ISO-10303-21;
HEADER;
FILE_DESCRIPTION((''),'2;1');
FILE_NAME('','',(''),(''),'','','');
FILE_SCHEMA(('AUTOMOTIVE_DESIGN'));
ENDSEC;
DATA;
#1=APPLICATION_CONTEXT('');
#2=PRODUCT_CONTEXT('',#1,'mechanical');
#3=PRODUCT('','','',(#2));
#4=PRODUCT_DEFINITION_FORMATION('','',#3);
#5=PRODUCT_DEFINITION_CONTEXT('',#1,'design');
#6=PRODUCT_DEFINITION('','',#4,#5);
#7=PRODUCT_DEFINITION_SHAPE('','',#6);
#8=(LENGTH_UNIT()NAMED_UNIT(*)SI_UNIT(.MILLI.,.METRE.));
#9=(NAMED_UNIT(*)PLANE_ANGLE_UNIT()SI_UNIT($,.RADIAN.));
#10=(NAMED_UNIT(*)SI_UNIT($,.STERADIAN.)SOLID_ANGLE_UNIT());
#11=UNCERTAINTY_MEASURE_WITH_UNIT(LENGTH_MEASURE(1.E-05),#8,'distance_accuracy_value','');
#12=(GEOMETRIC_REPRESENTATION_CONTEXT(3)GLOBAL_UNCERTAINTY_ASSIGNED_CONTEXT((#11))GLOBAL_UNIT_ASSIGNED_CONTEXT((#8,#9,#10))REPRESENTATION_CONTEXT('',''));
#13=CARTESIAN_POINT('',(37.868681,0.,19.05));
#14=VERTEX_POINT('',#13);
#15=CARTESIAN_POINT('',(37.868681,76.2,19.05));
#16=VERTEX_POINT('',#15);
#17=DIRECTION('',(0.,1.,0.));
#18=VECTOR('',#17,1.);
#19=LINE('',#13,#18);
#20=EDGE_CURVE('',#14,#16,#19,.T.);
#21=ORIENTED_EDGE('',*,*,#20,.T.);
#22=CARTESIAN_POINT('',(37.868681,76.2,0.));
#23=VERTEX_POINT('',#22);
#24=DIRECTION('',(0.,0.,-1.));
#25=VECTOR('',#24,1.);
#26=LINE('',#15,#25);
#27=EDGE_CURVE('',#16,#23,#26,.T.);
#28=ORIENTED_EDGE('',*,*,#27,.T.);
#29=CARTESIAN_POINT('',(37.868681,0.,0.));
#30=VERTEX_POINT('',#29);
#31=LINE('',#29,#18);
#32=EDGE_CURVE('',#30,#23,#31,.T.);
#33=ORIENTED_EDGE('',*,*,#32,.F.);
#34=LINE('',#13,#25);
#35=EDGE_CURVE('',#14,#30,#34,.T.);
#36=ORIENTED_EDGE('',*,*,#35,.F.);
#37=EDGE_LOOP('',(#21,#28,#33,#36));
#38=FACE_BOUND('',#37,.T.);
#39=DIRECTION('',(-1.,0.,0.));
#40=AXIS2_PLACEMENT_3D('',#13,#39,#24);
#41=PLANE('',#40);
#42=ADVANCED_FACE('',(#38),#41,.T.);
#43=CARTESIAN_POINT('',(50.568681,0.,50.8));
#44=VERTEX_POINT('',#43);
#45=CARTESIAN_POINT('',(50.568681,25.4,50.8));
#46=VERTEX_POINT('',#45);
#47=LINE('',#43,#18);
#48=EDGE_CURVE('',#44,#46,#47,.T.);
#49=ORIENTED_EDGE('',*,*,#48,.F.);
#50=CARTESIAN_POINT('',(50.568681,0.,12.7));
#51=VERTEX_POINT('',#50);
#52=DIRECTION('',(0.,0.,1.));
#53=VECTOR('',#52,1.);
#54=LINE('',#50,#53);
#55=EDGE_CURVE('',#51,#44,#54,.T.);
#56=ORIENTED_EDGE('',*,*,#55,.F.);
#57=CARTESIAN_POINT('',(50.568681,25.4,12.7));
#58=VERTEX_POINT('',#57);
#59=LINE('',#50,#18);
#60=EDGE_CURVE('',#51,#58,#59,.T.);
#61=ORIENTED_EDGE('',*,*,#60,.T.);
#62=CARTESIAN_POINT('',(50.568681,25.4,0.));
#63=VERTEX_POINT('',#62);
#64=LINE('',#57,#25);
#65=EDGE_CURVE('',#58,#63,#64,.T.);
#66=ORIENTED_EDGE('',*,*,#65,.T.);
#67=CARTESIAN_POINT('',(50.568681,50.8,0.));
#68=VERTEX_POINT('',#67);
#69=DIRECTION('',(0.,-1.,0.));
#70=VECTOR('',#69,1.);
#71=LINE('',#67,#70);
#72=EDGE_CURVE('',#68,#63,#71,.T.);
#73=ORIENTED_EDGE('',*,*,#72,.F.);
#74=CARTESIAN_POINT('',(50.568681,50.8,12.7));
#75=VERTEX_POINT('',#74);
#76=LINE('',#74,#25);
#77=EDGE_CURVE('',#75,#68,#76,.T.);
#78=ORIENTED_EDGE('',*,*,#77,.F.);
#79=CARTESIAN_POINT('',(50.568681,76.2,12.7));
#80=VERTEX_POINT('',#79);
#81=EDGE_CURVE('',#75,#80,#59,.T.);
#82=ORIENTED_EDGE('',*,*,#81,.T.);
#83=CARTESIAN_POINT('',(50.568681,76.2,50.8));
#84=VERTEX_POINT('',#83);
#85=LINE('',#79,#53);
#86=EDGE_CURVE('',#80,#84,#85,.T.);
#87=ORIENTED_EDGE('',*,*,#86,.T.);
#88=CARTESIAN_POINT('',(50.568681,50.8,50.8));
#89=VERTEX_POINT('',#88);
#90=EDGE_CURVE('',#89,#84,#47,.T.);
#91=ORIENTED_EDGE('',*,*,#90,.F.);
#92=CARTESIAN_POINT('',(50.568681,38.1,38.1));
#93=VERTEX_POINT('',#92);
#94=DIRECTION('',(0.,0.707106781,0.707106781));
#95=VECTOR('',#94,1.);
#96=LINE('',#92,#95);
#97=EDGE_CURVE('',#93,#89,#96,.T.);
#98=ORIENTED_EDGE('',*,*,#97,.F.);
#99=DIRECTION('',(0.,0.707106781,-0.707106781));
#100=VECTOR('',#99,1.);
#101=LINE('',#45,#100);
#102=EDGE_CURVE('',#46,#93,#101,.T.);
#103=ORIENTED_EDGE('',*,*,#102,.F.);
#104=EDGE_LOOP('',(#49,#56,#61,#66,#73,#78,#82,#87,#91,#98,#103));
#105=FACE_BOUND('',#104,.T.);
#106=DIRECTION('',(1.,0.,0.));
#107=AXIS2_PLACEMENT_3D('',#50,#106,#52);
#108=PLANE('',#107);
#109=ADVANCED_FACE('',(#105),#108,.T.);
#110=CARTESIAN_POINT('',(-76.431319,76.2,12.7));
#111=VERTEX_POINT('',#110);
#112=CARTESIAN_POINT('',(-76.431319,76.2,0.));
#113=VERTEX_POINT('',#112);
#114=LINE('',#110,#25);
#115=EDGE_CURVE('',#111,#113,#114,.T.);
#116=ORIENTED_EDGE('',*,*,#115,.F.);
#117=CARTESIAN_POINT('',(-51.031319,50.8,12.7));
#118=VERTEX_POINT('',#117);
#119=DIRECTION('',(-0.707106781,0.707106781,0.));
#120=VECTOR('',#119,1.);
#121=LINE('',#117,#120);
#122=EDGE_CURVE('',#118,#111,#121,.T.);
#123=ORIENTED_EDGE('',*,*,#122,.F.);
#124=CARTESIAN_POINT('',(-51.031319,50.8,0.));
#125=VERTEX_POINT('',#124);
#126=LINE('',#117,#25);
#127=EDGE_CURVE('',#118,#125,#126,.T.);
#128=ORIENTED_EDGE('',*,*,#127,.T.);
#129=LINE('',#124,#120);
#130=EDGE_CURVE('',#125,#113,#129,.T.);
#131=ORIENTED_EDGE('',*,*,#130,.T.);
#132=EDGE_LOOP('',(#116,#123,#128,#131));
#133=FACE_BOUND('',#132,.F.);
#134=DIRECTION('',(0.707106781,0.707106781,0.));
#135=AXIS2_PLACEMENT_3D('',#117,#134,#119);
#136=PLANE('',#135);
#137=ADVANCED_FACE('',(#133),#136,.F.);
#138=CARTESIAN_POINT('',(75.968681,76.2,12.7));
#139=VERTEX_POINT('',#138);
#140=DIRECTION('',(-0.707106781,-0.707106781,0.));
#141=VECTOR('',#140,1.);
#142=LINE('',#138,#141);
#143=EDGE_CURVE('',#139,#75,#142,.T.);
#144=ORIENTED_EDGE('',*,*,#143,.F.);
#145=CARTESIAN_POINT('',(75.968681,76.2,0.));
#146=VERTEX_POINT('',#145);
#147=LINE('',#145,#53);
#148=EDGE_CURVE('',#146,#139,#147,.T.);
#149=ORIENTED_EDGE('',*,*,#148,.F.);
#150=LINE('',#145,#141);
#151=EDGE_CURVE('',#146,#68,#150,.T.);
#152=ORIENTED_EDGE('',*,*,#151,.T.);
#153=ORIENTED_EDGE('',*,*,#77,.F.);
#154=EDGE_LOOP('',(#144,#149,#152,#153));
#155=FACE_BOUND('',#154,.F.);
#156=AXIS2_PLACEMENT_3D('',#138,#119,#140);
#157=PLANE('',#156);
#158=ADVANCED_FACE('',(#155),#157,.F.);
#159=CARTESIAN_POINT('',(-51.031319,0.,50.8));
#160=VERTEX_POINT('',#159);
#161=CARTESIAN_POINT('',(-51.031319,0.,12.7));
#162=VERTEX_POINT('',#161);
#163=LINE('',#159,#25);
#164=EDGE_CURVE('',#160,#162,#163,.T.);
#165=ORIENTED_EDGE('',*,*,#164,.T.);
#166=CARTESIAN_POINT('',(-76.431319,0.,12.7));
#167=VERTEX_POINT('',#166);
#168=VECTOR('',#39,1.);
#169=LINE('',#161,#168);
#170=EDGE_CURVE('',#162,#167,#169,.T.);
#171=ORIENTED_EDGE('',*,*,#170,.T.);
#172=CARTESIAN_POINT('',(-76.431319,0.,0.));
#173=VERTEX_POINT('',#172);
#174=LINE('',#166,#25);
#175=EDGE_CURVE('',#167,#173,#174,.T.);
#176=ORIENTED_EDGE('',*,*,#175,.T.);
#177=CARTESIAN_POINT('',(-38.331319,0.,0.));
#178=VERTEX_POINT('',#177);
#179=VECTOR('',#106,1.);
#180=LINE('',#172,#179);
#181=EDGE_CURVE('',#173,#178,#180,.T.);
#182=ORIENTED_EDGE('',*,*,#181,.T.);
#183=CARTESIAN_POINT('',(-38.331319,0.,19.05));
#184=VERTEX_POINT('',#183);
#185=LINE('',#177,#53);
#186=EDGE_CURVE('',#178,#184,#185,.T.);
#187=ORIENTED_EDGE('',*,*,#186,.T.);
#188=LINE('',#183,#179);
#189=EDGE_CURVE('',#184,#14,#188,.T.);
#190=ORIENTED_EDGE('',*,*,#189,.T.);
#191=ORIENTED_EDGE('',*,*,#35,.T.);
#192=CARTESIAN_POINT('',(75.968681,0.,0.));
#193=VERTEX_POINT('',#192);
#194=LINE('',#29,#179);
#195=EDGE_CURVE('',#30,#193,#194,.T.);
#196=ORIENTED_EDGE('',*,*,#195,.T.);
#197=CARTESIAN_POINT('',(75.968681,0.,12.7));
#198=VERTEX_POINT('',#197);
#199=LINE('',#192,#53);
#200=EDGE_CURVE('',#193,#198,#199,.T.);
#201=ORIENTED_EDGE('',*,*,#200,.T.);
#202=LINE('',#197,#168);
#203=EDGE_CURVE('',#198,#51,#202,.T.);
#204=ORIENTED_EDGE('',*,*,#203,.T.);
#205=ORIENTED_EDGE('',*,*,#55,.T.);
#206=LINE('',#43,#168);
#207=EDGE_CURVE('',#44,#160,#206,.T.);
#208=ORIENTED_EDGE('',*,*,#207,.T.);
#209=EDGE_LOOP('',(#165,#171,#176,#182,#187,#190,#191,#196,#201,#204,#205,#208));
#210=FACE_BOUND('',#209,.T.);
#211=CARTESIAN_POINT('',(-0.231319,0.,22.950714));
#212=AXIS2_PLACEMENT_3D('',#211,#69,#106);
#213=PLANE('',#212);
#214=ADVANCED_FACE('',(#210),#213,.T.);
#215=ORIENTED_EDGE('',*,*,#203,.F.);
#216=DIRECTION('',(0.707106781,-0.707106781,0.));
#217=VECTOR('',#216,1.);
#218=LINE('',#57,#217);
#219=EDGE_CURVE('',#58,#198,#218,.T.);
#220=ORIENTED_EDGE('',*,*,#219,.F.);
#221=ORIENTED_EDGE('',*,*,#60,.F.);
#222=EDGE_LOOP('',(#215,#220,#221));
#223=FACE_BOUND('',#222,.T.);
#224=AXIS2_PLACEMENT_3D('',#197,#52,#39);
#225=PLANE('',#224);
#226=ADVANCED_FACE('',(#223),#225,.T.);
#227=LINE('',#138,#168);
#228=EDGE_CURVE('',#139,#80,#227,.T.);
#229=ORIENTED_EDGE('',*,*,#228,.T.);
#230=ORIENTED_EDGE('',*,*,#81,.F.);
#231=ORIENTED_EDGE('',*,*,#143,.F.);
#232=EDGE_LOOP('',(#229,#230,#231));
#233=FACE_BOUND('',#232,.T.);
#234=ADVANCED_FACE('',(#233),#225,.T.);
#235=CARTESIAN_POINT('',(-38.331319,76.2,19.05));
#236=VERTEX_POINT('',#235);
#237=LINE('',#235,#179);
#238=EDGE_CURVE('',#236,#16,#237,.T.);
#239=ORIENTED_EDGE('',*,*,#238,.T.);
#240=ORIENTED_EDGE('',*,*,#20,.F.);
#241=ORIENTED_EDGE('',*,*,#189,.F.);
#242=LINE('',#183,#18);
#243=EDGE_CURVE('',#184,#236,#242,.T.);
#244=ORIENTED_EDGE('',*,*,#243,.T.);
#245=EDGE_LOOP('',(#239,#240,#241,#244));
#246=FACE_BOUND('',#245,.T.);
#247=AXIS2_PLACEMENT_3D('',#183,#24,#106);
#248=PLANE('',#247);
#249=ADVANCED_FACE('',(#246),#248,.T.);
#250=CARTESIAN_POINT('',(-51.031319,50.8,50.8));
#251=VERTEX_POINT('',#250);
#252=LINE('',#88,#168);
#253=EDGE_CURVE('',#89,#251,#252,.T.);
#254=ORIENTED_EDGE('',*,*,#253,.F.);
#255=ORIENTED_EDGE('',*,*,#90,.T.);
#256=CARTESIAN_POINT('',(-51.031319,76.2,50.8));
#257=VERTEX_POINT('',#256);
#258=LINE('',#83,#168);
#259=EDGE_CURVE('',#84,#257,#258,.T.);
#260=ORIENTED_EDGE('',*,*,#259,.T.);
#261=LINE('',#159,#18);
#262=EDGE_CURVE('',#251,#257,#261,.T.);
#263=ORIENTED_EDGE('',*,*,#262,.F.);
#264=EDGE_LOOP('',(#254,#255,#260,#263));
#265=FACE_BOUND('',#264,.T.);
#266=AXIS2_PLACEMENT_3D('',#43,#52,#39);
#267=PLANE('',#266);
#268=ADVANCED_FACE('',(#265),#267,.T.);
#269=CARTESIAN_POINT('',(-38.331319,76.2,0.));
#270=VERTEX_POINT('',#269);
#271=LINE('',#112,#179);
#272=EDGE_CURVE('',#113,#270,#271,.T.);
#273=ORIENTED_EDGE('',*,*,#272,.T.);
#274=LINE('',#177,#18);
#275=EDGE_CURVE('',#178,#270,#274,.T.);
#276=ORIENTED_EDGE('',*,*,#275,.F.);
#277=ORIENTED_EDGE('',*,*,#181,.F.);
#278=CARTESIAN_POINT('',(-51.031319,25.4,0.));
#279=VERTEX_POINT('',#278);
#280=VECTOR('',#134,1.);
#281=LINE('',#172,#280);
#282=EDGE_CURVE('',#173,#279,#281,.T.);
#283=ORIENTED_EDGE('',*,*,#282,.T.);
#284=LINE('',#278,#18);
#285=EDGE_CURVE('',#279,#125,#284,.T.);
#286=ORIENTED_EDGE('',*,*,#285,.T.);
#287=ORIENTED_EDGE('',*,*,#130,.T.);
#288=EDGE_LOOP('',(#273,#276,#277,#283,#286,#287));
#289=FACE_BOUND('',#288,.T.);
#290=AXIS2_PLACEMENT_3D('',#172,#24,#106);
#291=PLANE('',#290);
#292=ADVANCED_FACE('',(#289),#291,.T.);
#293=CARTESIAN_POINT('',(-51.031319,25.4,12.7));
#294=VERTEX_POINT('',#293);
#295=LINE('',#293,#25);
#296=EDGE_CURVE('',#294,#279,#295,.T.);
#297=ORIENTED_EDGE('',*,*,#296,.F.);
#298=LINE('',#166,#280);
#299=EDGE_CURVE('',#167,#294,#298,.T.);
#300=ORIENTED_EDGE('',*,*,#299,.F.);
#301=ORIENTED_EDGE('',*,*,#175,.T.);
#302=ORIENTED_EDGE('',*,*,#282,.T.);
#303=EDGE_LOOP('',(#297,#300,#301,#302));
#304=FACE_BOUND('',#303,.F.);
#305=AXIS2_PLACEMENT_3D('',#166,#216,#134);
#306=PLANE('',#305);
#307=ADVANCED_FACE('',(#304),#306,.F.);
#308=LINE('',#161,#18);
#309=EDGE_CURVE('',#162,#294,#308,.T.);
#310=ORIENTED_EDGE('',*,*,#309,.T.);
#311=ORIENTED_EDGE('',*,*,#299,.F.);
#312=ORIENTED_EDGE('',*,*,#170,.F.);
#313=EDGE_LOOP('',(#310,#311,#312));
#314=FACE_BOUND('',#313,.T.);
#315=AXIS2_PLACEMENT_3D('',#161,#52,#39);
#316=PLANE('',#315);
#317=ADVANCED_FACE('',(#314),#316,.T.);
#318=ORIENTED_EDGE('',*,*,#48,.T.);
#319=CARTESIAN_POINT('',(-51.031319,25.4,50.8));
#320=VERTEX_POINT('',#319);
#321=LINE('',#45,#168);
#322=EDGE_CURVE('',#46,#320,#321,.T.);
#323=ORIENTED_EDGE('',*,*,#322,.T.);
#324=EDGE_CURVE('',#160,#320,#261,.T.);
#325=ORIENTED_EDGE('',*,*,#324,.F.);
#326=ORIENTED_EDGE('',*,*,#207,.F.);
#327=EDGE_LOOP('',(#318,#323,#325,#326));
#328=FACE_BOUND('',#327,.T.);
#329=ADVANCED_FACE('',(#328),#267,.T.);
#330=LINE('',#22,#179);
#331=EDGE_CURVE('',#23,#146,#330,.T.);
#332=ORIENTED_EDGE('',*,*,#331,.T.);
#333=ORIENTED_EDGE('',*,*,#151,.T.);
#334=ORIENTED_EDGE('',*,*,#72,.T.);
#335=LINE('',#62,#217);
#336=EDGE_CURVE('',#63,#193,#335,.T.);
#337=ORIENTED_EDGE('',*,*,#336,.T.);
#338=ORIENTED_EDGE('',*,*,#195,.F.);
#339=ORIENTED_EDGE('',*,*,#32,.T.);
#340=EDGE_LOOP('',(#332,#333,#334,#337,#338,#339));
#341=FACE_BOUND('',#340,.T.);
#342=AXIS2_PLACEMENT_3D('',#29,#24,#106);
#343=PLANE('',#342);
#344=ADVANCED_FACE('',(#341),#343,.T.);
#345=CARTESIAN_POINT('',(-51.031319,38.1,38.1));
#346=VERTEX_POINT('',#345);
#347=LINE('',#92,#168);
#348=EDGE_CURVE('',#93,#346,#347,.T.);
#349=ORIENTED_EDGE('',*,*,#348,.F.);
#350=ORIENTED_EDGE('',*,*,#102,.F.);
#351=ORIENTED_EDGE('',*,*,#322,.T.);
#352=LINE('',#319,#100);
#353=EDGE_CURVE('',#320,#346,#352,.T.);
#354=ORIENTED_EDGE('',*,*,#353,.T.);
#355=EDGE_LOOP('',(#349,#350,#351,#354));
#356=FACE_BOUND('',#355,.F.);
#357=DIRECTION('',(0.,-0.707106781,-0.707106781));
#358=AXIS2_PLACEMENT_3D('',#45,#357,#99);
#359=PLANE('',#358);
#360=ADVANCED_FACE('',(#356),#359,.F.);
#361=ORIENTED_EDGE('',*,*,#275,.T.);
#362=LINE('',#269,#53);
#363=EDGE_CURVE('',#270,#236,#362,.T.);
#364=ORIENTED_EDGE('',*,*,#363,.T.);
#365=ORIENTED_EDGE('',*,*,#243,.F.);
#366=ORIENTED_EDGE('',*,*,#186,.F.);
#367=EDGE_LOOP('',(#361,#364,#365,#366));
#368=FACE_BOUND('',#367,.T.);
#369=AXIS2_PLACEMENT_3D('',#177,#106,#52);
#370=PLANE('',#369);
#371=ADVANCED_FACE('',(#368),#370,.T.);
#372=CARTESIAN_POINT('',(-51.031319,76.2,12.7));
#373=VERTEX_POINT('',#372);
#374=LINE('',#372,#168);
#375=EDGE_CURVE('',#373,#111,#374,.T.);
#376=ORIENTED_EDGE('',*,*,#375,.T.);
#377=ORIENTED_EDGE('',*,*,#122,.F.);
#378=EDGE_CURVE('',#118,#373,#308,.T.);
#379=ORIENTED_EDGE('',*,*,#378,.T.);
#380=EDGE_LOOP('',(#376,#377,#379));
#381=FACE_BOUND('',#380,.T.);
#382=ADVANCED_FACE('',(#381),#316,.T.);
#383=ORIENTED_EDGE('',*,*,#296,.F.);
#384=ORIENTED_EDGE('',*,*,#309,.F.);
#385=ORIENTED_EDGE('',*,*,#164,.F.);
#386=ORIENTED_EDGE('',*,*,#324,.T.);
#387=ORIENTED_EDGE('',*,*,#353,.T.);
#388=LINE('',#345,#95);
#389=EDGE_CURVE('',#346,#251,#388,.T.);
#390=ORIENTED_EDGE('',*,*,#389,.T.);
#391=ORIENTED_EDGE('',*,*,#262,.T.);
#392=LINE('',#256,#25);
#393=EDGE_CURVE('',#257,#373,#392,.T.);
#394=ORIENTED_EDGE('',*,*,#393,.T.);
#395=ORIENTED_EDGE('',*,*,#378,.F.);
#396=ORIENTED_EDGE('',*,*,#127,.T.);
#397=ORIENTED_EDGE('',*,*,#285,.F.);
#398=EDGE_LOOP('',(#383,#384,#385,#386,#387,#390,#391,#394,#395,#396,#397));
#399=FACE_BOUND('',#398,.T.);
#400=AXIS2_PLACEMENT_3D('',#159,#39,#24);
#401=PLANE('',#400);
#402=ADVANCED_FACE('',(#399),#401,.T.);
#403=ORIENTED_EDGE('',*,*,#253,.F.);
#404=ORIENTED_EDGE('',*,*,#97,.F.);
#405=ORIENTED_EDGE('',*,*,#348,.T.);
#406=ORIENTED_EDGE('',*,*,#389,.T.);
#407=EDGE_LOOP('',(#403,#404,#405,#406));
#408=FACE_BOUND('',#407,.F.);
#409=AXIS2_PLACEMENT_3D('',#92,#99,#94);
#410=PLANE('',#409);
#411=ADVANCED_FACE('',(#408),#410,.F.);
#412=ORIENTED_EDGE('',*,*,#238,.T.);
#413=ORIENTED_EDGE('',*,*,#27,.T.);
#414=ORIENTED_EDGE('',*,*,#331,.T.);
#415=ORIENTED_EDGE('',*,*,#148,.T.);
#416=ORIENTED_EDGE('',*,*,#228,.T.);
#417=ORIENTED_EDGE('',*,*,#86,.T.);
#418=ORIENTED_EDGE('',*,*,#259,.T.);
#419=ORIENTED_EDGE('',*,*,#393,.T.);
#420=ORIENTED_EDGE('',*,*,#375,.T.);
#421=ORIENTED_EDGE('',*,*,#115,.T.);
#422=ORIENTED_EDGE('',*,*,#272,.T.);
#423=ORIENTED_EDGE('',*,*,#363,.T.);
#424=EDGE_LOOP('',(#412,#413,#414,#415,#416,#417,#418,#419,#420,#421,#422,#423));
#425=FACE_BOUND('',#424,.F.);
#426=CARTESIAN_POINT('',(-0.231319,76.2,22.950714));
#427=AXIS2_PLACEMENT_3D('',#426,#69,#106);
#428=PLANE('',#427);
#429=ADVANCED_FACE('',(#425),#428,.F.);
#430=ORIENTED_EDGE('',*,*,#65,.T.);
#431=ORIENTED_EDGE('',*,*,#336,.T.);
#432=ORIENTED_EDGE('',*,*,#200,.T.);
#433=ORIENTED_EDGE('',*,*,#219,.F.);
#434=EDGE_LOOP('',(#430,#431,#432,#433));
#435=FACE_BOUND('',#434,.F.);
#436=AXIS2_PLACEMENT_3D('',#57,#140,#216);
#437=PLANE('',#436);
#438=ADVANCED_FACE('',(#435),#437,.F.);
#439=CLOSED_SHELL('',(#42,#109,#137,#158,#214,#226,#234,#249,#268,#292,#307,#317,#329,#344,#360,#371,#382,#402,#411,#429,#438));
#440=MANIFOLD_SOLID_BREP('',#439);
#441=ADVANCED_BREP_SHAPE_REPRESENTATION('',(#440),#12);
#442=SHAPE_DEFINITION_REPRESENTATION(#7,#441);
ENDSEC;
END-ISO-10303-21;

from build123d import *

# Parameters (mm, degrees)
F1_DEPTH = 76.2
F3_DEPTH = 12.7
F5_DEPTH = 12.7
F7_DEPTH = 101.6


with BuildPart() as f1:
    # F0 (on Front) → F1 (new body)
    with BuildSketch(Plane.XZ):
        Polygon((-76.4313191175, 12.7), (-76.4313191175, 0), (-38.3313191175, 0), (-38.3313191175, 19.05), (37.8686808825, 19.05), (37.8686808825, 0), (75.9686808825, 0), (75.9686808825, 12.7), (50.5686808825, 12.7), (50.5686808825, 50.8), (-51.0313191175, 50.8), (-51.0313191175, 12.7), align=None)
    extrude(amount=-F1_DEPTH)

    # F2 (on face) → F3 (cut, through all)
    with BuildSketch(Plane.XY.offset(12.7)):
        Polygon((-76.4313191175, 0), (-51.0313191175, 25.4), (-51.0313191175, 50.8), (-76.4313191175, 76.2), align=None)
    extrude(amount=-F3_DEPTH, mode=Mode.SUBTRACT)

    # F4 (on face) → F5 (cut, through all)
    with BuildSketch(Plane.XY.offset(12.7)):
        Polygon((50.5686808825, 25.4), (75.9686808825, 0), (75.9686808825, 76.2), (50.5686808825, 50.8), align=None)
    extrude(amount=-F5_DEPTH, mode=Mode.SUBTRACT)

    # F6 (on face) → F7 (cut, through all)
    with BuildSketch(Plane.YZ.offset(50.5686808825)):
        Polygon((50.8, 50.8), (25.4, 50.8), (38.1, 38.1), align=None)
    extrude(amount=-F7_DEPTH, mode=Mode.SUBTRACT)


solid = f1.part
